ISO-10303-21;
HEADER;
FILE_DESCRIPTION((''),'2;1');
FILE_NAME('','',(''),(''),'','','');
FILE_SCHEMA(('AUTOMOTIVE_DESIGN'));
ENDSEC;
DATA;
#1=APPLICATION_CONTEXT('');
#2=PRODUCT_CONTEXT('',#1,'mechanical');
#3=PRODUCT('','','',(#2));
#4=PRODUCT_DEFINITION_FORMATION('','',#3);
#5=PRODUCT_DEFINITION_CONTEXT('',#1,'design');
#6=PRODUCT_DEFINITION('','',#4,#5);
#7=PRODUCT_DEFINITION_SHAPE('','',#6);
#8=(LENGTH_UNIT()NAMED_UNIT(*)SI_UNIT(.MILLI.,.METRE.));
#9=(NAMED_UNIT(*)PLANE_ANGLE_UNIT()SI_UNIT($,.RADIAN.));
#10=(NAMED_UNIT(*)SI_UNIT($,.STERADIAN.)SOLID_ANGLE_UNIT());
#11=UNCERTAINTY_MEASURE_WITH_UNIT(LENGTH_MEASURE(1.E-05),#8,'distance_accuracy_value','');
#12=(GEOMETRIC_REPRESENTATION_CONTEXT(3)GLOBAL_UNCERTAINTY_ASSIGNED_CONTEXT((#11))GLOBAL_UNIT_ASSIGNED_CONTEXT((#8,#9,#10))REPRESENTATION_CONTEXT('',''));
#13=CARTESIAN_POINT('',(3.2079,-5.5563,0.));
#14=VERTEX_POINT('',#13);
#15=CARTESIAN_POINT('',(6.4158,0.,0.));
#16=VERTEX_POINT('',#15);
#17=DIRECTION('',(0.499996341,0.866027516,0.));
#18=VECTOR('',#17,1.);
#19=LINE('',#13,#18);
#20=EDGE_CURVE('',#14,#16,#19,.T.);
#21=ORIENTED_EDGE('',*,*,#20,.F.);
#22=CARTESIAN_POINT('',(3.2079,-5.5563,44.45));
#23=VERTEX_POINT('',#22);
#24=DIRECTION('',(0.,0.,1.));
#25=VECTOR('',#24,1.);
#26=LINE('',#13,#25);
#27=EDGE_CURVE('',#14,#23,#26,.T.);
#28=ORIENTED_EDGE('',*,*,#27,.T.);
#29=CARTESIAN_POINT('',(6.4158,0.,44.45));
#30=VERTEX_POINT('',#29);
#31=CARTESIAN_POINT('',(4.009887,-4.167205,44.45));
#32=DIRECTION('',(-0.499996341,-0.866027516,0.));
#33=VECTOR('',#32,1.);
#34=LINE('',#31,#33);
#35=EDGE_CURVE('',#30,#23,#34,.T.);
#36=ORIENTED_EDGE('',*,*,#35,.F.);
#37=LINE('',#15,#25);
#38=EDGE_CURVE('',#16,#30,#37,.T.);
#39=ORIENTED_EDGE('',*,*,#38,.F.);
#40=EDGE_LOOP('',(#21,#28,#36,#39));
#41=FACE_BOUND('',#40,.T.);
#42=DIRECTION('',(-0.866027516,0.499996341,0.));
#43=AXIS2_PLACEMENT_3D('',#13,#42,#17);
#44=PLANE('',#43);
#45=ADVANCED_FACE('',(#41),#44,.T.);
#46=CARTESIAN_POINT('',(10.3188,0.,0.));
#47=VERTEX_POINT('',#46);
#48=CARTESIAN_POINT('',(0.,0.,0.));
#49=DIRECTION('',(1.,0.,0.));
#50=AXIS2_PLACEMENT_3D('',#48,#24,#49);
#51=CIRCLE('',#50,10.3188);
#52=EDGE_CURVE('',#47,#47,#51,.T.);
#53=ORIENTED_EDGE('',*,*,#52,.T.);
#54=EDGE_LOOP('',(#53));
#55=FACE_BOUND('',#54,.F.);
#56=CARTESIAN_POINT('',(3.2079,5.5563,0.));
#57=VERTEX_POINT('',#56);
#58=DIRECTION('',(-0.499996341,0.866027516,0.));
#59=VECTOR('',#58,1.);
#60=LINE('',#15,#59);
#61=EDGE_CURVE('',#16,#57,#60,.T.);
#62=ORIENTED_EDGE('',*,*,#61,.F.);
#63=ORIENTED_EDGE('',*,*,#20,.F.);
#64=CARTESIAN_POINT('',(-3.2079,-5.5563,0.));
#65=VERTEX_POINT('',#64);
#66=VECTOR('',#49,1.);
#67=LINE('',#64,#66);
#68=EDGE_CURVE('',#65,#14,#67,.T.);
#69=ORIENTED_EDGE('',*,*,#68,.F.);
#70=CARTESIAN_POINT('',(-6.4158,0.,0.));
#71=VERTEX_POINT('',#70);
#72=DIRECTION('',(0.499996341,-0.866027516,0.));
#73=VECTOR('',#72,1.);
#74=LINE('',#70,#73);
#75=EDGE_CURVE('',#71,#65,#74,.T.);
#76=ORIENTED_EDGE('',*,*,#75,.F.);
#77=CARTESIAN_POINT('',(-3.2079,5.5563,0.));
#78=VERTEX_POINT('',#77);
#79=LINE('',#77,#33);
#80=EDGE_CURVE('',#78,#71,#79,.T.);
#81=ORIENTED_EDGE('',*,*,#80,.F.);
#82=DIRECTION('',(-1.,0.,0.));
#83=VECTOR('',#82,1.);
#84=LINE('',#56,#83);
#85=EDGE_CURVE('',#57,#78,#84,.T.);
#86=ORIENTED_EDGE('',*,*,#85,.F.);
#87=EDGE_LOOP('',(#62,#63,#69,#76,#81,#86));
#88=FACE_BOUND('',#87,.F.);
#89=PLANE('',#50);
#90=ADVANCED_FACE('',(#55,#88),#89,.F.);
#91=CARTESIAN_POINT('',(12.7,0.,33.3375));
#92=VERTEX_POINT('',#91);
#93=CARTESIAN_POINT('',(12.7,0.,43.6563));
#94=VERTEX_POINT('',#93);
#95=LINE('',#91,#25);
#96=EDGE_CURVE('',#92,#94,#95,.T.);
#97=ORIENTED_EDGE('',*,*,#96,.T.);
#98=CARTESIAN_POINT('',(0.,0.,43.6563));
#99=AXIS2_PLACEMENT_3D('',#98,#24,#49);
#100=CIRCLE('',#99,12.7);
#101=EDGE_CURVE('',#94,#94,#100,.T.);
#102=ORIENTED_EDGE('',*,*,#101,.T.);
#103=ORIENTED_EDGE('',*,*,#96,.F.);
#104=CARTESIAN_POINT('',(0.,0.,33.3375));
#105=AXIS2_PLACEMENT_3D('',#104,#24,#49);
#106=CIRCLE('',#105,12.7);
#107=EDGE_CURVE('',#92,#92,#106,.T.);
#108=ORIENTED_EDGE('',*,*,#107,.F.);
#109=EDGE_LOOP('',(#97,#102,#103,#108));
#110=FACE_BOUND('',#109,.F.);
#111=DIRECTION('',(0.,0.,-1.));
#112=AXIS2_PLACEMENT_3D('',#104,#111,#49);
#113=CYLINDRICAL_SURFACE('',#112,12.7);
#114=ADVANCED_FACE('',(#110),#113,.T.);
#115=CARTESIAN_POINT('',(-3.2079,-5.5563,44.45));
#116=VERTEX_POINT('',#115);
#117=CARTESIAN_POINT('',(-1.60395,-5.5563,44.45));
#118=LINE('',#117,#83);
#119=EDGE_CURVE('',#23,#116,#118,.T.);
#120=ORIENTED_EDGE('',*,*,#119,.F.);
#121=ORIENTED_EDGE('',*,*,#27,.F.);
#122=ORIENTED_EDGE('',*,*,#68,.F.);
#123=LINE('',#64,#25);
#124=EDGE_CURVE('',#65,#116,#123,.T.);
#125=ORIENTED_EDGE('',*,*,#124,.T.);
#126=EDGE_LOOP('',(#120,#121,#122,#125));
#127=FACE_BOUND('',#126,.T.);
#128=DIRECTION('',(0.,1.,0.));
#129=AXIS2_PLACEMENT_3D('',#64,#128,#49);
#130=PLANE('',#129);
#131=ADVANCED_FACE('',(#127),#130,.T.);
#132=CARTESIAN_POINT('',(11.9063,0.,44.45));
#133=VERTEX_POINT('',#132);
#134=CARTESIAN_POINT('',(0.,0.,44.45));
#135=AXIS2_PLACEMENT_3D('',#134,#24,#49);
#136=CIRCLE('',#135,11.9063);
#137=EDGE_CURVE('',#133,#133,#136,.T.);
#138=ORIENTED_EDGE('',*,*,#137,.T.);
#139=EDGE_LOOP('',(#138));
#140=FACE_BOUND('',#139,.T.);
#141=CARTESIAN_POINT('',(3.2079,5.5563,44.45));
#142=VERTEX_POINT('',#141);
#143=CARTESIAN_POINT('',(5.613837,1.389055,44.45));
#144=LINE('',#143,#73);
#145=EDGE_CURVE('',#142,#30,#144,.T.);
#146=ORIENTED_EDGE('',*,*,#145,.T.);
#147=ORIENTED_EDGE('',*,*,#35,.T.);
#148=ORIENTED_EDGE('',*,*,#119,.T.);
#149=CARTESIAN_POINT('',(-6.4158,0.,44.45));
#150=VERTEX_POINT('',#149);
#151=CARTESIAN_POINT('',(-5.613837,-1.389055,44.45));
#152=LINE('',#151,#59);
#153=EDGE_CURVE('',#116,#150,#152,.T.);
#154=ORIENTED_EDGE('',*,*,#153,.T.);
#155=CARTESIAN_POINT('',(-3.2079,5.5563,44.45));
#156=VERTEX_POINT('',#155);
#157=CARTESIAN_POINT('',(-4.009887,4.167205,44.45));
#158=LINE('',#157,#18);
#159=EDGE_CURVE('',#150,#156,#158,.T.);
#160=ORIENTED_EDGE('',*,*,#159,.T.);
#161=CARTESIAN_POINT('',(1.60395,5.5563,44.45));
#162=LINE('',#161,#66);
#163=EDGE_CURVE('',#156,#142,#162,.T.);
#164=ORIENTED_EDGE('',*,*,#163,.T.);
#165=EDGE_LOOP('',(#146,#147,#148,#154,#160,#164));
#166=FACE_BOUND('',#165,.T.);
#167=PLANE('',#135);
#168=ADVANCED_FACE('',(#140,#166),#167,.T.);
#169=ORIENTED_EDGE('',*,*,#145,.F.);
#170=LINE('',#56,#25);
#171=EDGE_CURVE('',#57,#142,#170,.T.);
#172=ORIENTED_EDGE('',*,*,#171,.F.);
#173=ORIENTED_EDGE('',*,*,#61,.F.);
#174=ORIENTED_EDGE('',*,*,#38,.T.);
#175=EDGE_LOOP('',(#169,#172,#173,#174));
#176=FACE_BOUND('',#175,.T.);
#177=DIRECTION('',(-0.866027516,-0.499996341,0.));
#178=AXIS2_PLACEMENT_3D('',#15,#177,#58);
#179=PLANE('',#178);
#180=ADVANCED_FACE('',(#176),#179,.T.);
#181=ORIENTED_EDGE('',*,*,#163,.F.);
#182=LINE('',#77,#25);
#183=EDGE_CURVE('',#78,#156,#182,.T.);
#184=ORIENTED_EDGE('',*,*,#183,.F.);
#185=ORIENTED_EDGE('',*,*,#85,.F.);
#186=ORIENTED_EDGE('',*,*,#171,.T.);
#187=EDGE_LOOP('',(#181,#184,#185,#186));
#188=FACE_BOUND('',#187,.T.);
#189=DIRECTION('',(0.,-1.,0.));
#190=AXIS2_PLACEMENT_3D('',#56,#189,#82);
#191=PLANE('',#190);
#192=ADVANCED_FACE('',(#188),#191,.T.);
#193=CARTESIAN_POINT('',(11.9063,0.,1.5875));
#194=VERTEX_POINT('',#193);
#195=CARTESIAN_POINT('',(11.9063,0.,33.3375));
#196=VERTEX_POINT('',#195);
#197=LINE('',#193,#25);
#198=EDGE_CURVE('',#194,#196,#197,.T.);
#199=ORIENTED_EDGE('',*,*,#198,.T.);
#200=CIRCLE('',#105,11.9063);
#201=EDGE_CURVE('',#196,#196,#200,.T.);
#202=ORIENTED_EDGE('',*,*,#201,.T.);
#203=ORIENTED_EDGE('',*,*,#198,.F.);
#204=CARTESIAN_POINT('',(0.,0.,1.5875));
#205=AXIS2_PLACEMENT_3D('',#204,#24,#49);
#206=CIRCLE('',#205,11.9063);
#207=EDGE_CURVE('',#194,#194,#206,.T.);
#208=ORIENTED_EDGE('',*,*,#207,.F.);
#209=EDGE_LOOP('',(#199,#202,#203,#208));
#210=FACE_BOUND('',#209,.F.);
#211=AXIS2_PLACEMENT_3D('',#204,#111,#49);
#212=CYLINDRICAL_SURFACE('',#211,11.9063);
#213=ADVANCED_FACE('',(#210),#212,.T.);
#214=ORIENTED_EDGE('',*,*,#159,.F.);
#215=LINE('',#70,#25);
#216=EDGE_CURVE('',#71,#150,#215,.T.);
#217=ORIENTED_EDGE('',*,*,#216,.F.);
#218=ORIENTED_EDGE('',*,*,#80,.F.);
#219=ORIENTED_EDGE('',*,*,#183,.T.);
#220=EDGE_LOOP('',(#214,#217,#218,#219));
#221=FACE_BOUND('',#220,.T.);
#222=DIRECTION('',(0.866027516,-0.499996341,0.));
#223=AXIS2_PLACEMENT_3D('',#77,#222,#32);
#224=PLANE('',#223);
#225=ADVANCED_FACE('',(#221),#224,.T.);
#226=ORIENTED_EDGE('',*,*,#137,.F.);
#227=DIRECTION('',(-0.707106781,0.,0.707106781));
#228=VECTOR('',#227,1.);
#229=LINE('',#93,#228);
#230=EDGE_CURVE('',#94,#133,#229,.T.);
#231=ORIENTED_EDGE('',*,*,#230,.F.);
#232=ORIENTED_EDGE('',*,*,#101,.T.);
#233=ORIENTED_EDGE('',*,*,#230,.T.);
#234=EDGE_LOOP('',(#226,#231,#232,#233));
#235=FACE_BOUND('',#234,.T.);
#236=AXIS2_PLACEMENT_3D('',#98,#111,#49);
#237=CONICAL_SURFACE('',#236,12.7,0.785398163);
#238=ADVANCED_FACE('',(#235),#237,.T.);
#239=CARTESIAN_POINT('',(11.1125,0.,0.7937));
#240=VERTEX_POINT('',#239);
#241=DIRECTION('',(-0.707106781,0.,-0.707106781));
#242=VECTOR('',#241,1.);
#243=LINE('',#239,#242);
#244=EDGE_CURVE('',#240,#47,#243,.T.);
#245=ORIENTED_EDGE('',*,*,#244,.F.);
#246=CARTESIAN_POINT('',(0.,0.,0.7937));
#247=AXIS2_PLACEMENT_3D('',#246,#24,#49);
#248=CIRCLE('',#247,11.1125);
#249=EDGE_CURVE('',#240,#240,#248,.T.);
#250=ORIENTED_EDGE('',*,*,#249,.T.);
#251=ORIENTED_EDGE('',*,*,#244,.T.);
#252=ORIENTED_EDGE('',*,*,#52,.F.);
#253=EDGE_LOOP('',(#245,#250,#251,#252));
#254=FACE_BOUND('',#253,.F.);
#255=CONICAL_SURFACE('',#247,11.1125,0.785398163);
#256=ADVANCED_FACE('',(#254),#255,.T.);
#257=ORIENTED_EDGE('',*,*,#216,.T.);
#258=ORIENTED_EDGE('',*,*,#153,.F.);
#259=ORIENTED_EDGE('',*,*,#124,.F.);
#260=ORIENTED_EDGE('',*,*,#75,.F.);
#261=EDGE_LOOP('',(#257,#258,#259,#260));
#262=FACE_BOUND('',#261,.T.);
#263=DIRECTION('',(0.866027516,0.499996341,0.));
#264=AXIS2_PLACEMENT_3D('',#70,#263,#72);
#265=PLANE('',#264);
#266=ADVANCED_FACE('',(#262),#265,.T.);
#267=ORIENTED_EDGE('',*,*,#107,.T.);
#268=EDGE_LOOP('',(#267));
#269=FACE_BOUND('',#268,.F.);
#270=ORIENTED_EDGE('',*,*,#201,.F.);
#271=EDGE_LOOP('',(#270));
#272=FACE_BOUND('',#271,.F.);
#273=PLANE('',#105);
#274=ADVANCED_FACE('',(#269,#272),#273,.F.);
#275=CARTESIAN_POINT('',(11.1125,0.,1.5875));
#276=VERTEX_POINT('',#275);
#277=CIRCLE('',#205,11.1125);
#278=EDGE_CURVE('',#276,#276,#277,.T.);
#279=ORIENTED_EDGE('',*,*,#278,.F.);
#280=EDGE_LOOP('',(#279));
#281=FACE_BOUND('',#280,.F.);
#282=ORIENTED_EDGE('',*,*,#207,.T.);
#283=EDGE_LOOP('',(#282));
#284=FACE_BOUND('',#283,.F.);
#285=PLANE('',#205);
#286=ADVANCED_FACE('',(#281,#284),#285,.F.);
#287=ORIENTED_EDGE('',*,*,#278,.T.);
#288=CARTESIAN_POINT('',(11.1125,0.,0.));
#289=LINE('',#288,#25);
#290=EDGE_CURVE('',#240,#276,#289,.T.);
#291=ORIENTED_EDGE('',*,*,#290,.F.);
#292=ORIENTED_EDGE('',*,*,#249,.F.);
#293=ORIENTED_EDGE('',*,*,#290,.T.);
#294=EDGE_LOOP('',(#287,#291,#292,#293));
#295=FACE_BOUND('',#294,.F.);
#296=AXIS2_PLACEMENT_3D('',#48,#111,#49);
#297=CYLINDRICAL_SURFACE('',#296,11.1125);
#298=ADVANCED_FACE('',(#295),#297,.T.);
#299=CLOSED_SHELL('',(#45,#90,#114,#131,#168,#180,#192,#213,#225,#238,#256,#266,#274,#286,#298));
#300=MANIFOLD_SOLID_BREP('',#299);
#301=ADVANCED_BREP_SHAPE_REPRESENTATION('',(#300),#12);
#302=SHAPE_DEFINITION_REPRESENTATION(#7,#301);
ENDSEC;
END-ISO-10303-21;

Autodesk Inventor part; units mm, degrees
ref_plane "YZ Plane" through (0, 0, 0) normal (1, 0, 0) x (0, 1, 0)
ref_plane "XZ Plane" through (0, 0, 0) normal (0, 1, 0) x (-1, 0, 0)
ref_plane "XY Plane" through (0, 0, 0) normal (0, 0, 1) x (1, 0, 0)
sketch "Sketch1" plane through (0, 0, 0) normal (0, 0, 1) x (1, 0, 0)
  circle A0 centre (0, 0) radius 11.1125
  dimension "d0" = 22.225
extrude "Bearing Offset" add sketch "Sketch1" along normal blind 1.5875
sketch "Sketch2" plane through (0, 0, 1.5875) normal (0, 0, 1) x (1, 0, 0)
  circle A0 centre (0, 0) radius 11.1125 projected
  circle A1 centre (0, 0) radius 11.9063
  dimension "d3" = 23.8125
extrude "Colson Hub (Press Fit)" add sketch "Sketch2" along normal blind 31.75 contours A0 | A1
sketch "Sketch3" plane through (0, 0, 33.3375) normal (0, 0, 1) x (1, 0, 0)
  circle A0 centre (0, 0) radius 11.9063 projected
  circle A1 centre (0, 0) radius 12.7
  dimension "d6" = 25.4
extrude "Colson Retension" add sketch "Sketch3" along normal blind 11.1125 contours A0 | A1
sketch "Sketch4" plane through (0, 0, 0) normal (0, 0, -1) x (-1, 0, 0)
  circle A0 centre (0, 0) radius 11.1125 projected
  line L0 (3.2079, 5.5563) -> (6.4158, 0)
  line L1 (6.4158, 0) -> (3.2079, -5.5563)
  line L2 (3.2079, -5.5563) -> (-3.2079, -5.5563)
  line L3 (-3.2079, -5.5563) -> (-6.4158, 0)
  line L4 (-6.4158, 0) -> (-3.2079, 5.5563)
  line L5 (-3.2079, 5.5563) -> (3.2079, 5.5563)
  dimension "d9" = 11.1125
extrude "7/16\" Hex" cut sketch "Sketch4" against normal through all contours L0 L1 L2 L3 L4 L5
chamfer "End Chamfers" distance 0.7937 angle 45 2 edges at (-11.1125, 0, 0) (-12.7, 0, 44.45)
properties part number "Colson Hub" material "Aluminum 6061"
